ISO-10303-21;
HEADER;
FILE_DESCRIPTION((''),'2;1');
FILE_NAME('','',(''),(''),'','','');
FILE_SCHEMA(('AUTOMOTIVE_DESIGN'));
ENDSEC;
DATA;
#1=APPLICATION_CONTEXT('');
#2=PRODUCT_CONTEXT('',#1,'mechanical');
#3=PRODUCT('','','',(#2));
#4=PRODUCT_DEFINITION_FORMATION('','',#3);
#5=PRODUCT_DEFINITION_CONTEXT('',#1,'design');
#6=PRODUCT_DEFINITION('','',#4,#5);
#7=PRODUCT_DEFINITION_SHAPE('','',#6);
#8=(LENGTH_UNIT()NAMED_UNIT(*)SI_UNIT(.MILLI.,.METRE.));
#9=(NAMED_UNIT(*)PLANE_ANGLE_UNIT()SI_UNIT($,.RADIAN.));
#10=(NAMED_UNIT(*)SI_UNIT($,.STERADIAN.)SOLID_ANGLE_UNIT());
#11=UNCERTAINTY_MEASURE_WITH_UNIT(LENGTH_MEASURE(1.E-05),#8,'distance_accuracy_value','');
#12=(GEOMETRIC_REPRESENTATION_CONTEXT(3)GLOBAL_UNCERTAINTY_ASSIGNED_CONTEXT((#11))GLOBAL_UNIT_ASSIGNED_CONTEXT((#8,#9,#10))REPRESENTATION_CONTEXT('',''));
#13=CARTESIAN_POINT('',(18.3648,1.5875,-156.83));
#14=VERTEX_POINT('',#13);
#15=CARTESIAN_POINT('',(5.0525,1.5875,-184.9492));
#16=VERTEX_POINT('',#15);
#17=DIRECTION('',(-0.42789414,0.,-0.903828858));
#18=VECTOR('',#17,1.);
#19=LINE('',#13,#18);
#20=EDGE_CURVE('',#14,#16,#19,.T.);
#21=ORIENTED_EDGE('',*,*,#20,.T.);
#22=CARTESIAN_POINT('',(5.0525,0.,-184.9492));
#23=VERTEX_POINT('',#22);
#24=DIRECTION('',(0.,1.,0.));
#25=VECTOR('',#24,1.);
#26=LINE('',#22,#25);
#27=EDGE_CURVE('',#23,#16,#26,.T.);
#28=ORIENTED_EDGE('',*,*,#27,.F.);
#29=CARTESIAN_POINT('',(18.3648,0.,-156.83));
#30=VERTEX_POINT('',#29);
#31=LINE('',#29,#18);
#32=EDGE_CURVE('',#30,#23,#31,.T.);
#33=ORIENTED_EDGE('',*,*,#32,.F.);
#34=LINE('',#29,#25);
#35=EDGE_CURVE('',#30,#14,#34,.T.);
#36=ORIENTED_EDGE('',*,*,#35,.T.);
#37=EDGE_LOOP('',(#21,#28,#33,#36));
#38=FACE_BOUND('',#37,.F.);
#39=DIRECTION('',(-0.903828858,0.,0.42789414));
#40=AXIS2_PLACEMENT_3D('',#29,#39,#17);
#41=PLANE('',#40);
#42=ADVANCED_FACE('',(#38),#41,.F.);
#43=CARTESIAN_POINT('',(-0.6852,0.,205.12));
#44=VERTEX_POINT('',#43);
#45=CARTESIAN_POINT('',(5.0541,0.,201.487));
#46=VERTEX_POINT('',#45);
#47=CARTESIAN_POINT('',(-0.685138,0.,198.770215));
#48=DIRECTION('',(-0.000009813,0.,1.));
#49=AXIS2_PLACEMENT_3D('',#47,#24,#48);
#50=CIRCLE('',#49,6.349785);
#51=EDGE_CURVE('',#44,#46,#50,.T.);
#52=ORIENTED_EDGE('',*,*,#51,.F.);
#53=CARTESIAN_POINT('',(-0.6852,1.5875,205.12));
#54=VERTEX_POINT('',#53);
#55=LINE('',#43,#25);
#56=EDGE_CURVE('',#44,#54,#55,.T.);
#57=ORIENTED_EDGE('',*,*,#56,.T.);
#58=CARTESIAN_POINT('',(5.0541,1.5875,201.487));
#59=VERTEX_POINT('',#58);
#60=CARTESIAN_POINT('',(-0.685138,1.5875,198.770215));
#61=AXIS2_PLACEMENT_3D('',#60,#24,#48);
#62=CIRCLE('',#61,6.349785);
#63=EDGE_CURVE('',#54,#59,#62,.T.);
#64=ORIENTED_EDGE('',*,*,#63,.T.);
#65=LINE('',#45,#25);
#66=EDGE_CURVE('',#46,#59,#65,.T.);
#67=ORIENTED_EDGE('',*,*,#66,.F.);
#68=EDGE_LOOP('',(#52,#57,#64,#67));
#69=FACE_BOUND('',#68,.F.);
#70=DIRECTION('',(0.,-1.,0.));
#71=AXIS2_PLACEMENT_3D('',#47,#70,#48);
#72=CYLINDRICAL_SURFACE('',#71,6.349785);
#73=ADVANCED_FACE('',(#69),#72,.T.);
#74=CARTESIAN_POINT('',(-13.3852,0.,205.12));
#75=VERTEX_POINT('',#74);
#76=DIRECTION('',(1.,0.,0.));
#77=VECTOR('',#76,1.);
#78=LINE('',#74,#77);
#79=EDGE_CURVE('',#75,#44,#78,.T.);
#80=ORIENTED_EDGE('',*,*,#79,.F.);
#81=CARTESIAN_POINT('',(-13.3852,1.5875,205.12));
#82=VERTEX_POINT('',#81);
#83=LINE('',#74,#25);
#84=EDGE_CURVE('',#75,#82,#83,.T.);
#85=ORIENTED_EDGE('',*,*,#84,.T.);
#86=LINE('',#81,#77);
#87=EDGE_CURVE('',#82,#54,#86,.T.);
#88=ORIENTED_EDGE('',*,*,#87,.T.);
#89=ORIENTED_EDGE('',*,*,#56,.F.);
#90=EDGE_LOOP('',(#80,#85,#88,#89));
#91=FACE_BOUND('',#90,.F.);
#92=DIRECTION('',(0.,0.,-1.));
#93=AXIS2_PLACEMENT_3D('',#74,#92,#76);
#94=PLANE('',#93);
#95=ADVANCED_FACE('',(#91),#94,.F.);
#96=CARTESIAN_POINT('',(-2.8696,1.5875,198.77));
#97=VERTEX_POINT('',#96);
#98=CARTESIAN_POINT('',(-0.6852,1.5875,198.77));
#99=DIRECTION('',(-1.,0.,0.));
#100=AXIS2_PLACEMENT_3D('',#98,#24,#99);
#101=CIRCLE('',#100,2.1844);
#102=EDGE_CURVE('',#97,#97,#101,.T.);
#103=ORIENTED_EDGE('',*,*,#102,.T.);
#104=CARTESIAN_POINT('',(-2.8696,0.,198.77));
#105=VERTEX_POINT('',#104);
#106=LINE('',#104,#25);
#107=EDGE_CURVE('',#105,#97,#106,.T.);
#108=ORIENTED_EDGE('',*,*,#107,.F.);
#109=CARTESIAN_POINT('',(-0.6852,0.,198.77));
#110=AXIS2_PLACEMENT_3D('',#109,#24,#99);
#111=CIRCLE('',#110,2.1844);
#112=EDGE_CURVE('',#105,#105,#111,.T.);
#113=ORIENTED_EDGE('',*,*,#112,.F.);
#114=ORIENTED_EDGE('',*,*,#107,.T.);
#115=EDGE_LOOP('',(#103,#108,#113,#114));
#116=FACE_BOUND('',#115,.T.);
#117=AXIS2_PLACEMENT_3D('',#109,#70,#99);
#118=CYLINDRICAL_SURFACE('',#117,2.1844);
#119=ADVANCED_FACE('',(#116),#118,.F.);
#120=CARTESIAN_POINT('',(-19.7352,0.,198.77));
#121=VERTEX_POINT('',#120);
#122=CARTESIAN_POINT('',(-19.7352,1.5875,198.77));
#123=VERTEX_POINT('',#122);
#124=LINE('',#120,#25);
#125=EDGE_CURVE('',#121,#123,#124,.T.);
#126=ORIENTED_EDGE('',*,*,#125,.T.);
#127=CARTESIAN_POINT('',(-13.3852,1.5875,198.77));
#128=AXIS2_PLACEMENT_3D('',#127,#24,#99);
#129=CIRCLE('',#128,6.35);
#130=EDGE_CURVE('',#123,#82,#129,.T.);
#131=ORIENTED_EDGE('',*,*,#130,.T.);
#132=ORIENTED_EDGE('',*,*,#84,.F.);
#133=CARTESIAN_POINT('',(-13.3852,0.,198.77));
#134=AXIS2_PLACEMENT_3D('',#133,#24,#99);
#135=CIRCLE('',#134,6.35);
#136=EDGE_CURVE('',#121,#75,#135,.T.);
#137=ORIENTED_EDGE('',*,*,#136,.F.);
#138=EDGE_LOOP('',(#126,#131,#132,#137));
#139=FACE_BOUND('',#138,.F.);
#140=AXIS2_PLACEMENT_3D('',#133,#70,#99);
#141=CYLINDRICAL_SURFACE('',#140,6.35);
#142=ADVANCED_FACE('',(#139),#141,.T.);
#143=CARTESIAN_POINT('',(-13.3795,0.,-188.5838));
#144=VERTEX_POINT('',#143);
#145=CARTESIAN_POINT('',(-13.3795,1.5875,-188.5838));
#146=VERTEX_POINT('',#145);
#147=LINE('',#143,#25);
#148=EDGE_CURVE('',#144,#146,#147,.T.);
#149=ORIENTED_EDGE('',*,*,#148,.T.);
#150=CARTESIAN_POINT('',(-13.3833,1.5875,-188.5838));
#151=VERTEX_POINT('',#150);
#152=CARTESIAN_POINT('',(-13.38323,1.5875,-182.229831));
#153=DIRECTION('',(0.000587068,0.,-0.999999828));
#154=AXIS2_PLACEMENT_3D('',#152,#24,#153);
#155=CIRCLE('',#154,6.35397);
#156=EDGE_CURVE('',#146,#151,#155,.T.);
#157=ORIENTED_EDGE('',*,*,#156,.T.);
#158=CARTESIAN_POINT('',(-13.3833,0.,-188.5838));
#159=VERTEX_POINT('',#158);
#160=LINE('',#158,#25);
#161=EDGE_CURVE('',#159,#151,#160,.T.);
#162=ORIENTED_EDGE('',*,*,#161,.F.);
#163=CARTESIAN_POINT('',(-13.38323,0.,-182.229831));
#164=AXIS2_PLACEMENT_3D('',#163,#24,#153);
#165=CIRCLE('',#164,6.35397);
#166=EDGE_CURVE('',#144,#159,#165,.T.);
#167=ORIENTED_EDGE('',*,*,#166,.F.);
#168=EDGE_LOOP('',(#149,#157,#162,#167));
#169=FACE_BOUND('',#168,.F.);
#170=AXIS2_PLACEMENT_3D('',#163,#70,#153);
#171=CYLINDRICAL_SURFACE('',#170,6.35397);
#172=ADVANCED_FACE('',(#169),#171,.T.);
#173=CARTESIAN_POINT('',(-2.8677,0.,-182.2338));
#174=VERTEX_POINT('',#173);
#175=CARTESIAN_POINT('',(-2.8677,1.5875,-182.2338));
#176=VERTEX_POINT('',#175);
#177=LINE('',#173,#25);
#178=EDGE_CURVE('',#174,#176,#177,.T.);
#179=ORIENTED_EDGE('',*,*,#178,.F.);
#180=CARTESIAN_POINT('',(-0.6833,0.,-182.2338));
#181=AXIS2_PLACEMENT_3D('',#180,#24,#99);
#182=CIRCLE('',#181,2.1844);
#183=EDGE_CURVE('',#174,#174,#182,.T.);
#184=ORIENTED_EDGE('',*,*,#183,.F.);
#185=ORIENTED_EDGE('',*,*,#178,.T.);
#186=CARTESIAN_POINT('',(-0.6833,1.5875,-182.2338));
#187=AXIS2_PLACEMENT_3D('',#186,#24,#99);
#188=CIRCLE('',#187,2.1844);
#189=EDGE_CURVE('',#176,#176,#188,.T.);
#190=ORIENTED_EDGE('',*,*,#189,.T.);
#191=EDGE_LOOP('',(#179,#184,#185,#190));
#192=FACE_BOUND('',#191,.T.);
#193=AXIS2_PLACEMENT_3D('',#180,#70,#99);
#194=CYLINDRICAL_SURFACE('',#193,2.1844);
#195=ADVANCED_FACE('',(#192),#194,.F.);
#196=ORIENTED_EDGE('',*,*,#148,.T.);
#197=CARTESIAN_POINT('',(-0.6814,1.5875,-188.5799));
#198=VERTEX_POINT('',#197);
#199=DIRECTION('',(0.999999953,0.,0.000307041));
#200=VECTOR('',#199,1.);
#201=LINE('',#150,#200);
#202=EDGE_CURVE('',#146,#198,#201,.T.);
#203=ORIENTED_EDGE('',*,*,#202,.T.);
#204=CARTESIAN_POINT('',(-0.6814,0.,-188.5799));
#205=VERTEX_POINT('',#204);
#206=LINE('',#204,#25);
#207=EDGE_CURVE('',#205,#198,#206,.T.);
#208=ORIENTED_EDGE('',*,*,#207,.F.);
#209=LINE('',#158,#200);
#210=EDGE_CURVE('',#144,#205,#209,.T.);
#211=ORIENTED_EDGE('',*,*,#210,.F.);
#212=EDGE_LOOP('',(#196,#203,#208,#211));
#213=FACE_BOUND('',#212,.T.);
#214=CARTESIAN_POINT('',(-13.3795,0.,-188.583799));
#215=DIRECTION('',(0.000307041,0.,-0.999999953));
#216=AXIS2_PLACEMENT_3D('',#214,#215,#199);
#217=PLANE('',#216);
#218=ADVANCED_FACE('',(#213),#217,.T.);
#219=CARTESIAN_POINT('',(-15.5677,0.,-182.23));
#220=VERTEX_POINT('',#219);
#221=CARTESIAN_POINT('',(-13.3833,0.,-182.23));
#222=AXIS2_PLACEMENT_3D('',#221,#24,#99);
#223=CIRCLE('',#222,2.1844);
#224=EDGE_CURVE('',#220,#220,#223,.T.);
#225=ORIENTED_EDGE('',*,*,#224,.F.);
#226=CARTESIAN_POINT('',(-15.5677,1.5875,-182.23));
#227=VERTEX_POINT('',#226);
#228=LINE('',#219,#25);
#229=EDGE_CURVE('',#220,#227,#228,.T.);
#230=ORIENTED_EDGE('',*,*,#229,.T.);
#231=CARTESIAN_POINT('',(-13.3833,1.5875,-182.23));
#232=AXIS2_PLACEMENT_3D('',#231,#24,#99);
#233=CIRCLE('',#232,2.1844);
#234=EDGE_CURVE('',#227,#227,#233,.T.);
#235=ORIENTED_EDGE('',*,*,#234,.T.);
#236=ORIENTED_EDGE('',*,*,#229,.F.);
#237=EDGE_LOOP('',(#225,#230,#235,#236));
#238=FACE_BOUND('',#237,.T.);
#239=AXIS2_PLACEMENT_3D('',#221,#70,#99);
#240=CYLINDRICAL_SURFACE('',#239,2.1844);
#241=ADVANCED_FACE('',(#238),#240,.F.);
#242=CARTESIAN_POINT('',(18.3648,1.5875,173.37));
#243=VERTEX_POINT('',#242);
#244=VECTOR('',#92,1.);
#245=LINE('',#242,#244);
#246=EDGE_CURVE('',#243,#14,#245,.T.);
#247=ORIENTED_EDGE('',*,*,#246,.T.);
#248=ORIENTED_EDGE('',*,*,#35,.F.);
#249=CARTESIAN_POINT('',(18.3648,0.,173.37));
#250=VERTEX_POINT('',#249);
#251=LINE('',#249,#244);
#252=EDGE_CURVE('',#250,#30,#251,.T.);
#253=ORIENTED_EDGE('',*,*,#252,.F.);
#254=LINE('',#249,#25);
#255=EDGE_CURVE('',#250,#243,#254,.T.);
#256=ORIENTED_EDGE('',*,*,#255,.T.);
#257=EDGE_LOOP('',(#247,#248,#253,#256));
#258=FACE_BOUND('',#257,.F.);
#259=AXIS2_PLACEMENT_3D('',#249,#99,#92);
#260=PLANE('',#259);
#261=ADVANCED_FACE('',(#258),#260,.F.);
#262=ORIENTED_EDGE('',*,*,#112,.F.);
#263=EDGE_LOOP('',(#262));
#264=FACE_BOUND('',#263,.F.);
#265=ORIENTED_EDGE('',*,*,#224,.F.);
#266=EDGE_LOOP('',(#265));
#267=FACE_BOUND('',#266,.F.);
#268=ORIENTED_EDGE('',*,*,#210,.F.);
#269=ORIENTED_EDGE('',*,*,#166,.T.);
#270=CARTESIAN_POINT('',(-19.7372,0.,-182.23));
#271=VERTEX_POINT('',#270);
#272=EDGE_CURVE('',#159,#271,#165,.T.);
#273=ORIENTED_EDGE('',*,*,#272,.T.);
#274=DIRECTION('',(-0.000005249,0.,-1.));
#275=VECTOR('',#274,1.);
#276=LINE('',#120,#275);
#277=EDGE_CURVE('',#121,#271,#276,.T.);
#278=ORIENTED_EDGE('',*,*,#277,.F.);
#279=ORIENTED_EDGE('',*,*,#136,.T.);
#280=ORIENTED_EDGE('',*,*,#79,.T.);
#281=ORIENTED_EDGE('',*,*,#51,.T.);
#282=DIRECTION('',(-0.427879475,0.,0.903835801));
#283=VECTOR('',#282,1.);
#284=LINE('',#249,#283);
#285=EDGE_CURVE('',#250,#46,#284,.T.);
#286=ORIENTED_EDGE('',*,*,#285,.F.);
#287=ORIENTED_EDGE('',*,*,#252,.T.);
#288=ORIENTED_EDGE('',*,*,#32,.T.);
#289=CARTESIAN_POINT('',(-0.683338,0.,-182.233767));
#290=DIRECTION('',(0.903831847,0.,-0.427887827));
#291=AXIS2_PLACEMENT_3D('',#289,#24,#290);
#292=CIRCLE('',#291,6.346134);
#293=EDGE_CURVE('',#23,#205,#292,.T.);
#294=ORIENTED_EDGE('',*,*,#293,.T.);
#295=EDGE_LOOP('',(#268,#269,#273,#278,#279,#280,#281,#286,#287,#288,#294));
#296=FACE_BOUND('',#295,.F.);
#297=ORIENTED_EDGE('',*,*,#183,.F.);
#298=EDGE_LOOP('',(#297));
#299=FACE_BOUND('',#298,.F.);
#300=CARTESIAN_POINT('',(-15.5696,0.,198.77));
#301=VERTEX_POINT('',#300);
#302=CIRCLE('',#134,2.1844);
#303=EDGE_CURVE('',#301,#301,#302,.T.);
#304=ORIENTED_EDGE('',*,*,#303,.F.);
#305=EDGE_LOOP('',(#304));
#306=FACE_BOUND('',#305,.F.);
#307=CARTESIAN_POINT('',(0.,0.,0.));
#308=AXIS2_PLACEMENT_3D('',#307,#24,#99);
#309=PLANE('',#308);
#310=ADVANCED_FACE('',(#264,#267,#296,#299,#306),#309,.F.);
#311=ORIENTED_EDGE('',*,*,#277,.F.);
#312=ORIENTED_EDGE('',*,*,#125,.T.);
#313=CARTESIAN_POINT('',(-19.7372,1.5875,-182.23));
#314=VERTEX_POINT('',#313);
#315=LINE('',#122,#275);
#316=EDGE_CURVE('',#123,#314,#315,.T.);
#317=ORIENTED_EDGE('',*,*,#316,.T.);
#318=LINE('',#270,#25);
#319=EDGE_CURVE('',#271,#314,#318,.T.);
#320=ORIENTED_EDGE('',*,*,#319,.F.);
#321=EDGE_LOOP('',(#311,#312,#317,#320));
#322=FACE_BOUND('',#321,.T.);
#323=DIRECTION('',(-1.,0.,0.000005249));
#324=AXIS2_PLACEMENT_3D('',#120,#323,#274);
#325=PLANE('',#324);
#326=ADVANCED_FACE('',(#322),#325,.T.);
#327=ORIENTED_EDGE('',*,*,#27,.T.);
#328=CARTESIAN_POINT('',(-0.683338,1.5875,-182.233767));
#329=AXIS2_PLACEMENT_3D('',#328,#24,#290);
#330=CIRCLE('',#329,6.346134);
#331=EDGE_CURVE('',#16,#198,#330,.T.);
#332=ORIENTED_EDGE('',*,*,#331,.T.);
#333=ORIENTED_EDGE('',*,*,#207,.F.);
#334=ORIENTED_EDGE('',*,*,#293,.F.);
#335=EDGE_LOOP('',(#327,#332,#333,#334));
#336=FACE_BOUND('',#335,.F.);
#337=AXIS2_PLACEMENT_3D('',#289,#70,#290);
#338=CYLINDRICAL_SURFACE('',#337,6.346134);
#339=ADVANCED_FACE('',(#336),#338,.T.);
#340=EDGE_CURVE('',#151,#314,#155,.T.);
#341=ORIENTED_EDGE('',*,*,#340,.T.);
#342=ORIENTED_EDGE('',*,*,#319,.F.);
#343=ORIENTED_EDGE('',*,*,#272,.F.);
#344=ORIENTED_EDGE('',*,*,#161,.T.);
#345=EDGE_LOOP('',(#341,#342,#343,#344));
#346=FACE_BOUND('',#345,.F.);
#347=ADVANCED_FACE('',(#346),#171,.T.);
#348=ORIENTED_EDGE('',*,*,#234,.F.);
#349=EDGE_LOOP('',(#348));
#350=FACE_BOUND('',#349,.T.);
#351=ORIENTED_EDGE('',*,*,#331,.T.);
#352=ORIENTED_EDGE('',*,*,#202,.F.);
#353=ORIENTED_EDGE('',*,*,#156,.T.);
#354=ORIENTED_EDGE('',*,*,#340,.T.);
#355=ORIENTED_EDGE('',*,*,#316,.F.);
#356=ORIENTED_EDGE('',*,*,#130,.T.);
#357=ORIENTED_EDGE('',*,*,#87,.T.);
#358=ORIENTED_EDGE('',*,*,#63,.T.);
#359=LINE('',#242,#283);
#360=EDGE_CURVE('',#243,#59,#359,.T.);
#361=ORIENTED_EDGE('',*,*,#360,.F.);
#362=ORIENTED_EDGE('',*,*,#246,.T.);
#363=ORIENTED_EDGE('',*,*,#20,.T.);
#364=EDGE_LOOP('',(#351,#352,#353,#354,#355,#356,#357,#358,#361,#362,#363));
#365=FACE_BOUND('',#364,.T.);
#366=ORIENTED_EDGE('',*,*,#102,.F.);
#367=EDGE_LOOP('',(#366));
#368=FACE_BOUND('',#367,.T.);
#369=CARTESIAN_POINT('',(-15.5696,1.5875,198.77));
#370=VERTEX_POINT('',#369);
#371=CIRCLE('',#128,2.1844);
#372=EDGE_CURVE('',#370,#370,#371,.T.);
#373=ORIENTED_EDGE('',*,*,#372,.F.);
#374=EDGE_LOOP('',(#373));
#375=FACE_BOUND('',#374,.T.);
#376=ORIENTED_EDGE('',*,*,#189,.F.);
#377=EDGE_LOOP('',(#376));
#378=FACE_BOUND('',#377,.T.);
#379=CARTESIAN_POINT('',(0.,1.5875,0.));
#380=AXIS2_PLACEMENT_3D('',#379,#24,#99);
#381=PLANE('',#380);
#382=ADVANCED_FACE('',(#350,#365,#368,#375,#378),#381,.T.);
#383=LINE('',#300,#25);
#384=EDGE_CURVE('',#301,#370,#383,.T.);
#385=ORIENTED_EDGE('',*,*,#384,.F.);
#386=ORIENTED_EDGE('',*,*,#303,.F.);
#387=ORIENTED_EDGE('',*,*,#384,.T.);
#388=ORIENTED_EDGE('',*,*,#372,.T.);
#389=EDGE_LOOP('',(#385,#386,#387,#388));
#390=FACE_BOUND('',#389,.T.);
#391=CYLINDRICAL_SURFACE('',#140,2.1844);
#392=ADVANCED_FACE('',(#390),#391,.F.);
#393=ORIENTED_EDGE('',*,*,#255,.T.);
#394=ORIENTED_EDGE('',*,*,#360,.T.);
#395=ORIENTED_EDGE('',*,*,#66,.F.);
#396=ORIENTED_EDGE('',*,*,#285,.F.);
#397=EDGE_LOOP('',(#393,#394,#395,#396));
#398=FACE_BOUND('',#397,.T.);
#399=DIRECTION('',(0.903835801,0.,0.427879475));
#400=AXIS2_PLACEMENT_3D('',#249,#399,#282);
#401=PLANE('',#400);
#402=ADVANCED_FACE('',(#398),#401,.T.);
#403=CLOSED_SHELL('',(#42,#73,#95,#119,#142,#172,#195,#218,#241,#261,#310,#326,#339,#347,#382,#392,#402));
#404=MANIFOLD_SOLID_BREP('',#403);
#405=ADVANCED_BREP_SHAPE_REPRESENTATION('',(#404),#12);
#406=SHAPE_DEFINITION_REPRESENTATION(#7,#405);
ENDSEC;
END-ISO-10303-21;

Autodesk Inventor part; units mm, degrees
ref_plane "YZ Plane" through (0, 0, 0) normal (1, 0, 0) x (0, 1, 0)
ref_plane "XZ Plane" through (0, 0, 0) normal (0, 1, 0) x (-1, 0, 0)
ref_plane "XY Plane" through (0, 0, 0) normal (0, 0, 1) x (1, 0, 0)
sketch "Sketch1" plane through (0, 0, 0) normal (0, 1, 0) x (-1, 0, 0)
  circle A0 centre (0.6852, 198.77) radius 2.1844
  circle A1 centre (13.3852, 198.77) radius 2.1844
  circle A2 centre (13.3833, -182.23) radius 2.1844
  circle A3 centre (0.6833, -182.2338) radius 2.1844
  arc A4 (19.7352, 198.77) -> (13.3852, 205.12) centre (13.3852, 198.77) ccw
  arc A5 (0.6852, 205.12) -> (-5.0541, 201.487) centre (0.6852, 198.77) ccw
  arc A6 (13.3795, -188.5838) -> (19.7372, -182.23) centre (13.3833, -182.23) ccw
  arc A7 (-5.0525, -184.9492) -> (0.6814, -188.5799) centre (0.6833, -182.2338) ccw
  line L0 (13.3852, 205.12) -> (0.6852, 205.12)
  line L1 (13.3833, -188.5838) -> (0.6814, -188.5799)
  line L2 (19.7352, 198.77) -> (19.7372, -182.23)
  line L3 (-18.3648, 173.37) -> (-18.3648, -156.83)
  line L4 (-18.3648, -156.83) -> (-5.0525, -184.9492)
  line L5 (-18.3648, 173.37) -> (-5.0541, 201.487)
  point P0 (0, 0)
  dimension "d0" = 330.2
extrude "Extrusion1" add sketch "Sketch1" along normal blind 1.5875
properties part number "skirt" material "Acetal Resin, White"
